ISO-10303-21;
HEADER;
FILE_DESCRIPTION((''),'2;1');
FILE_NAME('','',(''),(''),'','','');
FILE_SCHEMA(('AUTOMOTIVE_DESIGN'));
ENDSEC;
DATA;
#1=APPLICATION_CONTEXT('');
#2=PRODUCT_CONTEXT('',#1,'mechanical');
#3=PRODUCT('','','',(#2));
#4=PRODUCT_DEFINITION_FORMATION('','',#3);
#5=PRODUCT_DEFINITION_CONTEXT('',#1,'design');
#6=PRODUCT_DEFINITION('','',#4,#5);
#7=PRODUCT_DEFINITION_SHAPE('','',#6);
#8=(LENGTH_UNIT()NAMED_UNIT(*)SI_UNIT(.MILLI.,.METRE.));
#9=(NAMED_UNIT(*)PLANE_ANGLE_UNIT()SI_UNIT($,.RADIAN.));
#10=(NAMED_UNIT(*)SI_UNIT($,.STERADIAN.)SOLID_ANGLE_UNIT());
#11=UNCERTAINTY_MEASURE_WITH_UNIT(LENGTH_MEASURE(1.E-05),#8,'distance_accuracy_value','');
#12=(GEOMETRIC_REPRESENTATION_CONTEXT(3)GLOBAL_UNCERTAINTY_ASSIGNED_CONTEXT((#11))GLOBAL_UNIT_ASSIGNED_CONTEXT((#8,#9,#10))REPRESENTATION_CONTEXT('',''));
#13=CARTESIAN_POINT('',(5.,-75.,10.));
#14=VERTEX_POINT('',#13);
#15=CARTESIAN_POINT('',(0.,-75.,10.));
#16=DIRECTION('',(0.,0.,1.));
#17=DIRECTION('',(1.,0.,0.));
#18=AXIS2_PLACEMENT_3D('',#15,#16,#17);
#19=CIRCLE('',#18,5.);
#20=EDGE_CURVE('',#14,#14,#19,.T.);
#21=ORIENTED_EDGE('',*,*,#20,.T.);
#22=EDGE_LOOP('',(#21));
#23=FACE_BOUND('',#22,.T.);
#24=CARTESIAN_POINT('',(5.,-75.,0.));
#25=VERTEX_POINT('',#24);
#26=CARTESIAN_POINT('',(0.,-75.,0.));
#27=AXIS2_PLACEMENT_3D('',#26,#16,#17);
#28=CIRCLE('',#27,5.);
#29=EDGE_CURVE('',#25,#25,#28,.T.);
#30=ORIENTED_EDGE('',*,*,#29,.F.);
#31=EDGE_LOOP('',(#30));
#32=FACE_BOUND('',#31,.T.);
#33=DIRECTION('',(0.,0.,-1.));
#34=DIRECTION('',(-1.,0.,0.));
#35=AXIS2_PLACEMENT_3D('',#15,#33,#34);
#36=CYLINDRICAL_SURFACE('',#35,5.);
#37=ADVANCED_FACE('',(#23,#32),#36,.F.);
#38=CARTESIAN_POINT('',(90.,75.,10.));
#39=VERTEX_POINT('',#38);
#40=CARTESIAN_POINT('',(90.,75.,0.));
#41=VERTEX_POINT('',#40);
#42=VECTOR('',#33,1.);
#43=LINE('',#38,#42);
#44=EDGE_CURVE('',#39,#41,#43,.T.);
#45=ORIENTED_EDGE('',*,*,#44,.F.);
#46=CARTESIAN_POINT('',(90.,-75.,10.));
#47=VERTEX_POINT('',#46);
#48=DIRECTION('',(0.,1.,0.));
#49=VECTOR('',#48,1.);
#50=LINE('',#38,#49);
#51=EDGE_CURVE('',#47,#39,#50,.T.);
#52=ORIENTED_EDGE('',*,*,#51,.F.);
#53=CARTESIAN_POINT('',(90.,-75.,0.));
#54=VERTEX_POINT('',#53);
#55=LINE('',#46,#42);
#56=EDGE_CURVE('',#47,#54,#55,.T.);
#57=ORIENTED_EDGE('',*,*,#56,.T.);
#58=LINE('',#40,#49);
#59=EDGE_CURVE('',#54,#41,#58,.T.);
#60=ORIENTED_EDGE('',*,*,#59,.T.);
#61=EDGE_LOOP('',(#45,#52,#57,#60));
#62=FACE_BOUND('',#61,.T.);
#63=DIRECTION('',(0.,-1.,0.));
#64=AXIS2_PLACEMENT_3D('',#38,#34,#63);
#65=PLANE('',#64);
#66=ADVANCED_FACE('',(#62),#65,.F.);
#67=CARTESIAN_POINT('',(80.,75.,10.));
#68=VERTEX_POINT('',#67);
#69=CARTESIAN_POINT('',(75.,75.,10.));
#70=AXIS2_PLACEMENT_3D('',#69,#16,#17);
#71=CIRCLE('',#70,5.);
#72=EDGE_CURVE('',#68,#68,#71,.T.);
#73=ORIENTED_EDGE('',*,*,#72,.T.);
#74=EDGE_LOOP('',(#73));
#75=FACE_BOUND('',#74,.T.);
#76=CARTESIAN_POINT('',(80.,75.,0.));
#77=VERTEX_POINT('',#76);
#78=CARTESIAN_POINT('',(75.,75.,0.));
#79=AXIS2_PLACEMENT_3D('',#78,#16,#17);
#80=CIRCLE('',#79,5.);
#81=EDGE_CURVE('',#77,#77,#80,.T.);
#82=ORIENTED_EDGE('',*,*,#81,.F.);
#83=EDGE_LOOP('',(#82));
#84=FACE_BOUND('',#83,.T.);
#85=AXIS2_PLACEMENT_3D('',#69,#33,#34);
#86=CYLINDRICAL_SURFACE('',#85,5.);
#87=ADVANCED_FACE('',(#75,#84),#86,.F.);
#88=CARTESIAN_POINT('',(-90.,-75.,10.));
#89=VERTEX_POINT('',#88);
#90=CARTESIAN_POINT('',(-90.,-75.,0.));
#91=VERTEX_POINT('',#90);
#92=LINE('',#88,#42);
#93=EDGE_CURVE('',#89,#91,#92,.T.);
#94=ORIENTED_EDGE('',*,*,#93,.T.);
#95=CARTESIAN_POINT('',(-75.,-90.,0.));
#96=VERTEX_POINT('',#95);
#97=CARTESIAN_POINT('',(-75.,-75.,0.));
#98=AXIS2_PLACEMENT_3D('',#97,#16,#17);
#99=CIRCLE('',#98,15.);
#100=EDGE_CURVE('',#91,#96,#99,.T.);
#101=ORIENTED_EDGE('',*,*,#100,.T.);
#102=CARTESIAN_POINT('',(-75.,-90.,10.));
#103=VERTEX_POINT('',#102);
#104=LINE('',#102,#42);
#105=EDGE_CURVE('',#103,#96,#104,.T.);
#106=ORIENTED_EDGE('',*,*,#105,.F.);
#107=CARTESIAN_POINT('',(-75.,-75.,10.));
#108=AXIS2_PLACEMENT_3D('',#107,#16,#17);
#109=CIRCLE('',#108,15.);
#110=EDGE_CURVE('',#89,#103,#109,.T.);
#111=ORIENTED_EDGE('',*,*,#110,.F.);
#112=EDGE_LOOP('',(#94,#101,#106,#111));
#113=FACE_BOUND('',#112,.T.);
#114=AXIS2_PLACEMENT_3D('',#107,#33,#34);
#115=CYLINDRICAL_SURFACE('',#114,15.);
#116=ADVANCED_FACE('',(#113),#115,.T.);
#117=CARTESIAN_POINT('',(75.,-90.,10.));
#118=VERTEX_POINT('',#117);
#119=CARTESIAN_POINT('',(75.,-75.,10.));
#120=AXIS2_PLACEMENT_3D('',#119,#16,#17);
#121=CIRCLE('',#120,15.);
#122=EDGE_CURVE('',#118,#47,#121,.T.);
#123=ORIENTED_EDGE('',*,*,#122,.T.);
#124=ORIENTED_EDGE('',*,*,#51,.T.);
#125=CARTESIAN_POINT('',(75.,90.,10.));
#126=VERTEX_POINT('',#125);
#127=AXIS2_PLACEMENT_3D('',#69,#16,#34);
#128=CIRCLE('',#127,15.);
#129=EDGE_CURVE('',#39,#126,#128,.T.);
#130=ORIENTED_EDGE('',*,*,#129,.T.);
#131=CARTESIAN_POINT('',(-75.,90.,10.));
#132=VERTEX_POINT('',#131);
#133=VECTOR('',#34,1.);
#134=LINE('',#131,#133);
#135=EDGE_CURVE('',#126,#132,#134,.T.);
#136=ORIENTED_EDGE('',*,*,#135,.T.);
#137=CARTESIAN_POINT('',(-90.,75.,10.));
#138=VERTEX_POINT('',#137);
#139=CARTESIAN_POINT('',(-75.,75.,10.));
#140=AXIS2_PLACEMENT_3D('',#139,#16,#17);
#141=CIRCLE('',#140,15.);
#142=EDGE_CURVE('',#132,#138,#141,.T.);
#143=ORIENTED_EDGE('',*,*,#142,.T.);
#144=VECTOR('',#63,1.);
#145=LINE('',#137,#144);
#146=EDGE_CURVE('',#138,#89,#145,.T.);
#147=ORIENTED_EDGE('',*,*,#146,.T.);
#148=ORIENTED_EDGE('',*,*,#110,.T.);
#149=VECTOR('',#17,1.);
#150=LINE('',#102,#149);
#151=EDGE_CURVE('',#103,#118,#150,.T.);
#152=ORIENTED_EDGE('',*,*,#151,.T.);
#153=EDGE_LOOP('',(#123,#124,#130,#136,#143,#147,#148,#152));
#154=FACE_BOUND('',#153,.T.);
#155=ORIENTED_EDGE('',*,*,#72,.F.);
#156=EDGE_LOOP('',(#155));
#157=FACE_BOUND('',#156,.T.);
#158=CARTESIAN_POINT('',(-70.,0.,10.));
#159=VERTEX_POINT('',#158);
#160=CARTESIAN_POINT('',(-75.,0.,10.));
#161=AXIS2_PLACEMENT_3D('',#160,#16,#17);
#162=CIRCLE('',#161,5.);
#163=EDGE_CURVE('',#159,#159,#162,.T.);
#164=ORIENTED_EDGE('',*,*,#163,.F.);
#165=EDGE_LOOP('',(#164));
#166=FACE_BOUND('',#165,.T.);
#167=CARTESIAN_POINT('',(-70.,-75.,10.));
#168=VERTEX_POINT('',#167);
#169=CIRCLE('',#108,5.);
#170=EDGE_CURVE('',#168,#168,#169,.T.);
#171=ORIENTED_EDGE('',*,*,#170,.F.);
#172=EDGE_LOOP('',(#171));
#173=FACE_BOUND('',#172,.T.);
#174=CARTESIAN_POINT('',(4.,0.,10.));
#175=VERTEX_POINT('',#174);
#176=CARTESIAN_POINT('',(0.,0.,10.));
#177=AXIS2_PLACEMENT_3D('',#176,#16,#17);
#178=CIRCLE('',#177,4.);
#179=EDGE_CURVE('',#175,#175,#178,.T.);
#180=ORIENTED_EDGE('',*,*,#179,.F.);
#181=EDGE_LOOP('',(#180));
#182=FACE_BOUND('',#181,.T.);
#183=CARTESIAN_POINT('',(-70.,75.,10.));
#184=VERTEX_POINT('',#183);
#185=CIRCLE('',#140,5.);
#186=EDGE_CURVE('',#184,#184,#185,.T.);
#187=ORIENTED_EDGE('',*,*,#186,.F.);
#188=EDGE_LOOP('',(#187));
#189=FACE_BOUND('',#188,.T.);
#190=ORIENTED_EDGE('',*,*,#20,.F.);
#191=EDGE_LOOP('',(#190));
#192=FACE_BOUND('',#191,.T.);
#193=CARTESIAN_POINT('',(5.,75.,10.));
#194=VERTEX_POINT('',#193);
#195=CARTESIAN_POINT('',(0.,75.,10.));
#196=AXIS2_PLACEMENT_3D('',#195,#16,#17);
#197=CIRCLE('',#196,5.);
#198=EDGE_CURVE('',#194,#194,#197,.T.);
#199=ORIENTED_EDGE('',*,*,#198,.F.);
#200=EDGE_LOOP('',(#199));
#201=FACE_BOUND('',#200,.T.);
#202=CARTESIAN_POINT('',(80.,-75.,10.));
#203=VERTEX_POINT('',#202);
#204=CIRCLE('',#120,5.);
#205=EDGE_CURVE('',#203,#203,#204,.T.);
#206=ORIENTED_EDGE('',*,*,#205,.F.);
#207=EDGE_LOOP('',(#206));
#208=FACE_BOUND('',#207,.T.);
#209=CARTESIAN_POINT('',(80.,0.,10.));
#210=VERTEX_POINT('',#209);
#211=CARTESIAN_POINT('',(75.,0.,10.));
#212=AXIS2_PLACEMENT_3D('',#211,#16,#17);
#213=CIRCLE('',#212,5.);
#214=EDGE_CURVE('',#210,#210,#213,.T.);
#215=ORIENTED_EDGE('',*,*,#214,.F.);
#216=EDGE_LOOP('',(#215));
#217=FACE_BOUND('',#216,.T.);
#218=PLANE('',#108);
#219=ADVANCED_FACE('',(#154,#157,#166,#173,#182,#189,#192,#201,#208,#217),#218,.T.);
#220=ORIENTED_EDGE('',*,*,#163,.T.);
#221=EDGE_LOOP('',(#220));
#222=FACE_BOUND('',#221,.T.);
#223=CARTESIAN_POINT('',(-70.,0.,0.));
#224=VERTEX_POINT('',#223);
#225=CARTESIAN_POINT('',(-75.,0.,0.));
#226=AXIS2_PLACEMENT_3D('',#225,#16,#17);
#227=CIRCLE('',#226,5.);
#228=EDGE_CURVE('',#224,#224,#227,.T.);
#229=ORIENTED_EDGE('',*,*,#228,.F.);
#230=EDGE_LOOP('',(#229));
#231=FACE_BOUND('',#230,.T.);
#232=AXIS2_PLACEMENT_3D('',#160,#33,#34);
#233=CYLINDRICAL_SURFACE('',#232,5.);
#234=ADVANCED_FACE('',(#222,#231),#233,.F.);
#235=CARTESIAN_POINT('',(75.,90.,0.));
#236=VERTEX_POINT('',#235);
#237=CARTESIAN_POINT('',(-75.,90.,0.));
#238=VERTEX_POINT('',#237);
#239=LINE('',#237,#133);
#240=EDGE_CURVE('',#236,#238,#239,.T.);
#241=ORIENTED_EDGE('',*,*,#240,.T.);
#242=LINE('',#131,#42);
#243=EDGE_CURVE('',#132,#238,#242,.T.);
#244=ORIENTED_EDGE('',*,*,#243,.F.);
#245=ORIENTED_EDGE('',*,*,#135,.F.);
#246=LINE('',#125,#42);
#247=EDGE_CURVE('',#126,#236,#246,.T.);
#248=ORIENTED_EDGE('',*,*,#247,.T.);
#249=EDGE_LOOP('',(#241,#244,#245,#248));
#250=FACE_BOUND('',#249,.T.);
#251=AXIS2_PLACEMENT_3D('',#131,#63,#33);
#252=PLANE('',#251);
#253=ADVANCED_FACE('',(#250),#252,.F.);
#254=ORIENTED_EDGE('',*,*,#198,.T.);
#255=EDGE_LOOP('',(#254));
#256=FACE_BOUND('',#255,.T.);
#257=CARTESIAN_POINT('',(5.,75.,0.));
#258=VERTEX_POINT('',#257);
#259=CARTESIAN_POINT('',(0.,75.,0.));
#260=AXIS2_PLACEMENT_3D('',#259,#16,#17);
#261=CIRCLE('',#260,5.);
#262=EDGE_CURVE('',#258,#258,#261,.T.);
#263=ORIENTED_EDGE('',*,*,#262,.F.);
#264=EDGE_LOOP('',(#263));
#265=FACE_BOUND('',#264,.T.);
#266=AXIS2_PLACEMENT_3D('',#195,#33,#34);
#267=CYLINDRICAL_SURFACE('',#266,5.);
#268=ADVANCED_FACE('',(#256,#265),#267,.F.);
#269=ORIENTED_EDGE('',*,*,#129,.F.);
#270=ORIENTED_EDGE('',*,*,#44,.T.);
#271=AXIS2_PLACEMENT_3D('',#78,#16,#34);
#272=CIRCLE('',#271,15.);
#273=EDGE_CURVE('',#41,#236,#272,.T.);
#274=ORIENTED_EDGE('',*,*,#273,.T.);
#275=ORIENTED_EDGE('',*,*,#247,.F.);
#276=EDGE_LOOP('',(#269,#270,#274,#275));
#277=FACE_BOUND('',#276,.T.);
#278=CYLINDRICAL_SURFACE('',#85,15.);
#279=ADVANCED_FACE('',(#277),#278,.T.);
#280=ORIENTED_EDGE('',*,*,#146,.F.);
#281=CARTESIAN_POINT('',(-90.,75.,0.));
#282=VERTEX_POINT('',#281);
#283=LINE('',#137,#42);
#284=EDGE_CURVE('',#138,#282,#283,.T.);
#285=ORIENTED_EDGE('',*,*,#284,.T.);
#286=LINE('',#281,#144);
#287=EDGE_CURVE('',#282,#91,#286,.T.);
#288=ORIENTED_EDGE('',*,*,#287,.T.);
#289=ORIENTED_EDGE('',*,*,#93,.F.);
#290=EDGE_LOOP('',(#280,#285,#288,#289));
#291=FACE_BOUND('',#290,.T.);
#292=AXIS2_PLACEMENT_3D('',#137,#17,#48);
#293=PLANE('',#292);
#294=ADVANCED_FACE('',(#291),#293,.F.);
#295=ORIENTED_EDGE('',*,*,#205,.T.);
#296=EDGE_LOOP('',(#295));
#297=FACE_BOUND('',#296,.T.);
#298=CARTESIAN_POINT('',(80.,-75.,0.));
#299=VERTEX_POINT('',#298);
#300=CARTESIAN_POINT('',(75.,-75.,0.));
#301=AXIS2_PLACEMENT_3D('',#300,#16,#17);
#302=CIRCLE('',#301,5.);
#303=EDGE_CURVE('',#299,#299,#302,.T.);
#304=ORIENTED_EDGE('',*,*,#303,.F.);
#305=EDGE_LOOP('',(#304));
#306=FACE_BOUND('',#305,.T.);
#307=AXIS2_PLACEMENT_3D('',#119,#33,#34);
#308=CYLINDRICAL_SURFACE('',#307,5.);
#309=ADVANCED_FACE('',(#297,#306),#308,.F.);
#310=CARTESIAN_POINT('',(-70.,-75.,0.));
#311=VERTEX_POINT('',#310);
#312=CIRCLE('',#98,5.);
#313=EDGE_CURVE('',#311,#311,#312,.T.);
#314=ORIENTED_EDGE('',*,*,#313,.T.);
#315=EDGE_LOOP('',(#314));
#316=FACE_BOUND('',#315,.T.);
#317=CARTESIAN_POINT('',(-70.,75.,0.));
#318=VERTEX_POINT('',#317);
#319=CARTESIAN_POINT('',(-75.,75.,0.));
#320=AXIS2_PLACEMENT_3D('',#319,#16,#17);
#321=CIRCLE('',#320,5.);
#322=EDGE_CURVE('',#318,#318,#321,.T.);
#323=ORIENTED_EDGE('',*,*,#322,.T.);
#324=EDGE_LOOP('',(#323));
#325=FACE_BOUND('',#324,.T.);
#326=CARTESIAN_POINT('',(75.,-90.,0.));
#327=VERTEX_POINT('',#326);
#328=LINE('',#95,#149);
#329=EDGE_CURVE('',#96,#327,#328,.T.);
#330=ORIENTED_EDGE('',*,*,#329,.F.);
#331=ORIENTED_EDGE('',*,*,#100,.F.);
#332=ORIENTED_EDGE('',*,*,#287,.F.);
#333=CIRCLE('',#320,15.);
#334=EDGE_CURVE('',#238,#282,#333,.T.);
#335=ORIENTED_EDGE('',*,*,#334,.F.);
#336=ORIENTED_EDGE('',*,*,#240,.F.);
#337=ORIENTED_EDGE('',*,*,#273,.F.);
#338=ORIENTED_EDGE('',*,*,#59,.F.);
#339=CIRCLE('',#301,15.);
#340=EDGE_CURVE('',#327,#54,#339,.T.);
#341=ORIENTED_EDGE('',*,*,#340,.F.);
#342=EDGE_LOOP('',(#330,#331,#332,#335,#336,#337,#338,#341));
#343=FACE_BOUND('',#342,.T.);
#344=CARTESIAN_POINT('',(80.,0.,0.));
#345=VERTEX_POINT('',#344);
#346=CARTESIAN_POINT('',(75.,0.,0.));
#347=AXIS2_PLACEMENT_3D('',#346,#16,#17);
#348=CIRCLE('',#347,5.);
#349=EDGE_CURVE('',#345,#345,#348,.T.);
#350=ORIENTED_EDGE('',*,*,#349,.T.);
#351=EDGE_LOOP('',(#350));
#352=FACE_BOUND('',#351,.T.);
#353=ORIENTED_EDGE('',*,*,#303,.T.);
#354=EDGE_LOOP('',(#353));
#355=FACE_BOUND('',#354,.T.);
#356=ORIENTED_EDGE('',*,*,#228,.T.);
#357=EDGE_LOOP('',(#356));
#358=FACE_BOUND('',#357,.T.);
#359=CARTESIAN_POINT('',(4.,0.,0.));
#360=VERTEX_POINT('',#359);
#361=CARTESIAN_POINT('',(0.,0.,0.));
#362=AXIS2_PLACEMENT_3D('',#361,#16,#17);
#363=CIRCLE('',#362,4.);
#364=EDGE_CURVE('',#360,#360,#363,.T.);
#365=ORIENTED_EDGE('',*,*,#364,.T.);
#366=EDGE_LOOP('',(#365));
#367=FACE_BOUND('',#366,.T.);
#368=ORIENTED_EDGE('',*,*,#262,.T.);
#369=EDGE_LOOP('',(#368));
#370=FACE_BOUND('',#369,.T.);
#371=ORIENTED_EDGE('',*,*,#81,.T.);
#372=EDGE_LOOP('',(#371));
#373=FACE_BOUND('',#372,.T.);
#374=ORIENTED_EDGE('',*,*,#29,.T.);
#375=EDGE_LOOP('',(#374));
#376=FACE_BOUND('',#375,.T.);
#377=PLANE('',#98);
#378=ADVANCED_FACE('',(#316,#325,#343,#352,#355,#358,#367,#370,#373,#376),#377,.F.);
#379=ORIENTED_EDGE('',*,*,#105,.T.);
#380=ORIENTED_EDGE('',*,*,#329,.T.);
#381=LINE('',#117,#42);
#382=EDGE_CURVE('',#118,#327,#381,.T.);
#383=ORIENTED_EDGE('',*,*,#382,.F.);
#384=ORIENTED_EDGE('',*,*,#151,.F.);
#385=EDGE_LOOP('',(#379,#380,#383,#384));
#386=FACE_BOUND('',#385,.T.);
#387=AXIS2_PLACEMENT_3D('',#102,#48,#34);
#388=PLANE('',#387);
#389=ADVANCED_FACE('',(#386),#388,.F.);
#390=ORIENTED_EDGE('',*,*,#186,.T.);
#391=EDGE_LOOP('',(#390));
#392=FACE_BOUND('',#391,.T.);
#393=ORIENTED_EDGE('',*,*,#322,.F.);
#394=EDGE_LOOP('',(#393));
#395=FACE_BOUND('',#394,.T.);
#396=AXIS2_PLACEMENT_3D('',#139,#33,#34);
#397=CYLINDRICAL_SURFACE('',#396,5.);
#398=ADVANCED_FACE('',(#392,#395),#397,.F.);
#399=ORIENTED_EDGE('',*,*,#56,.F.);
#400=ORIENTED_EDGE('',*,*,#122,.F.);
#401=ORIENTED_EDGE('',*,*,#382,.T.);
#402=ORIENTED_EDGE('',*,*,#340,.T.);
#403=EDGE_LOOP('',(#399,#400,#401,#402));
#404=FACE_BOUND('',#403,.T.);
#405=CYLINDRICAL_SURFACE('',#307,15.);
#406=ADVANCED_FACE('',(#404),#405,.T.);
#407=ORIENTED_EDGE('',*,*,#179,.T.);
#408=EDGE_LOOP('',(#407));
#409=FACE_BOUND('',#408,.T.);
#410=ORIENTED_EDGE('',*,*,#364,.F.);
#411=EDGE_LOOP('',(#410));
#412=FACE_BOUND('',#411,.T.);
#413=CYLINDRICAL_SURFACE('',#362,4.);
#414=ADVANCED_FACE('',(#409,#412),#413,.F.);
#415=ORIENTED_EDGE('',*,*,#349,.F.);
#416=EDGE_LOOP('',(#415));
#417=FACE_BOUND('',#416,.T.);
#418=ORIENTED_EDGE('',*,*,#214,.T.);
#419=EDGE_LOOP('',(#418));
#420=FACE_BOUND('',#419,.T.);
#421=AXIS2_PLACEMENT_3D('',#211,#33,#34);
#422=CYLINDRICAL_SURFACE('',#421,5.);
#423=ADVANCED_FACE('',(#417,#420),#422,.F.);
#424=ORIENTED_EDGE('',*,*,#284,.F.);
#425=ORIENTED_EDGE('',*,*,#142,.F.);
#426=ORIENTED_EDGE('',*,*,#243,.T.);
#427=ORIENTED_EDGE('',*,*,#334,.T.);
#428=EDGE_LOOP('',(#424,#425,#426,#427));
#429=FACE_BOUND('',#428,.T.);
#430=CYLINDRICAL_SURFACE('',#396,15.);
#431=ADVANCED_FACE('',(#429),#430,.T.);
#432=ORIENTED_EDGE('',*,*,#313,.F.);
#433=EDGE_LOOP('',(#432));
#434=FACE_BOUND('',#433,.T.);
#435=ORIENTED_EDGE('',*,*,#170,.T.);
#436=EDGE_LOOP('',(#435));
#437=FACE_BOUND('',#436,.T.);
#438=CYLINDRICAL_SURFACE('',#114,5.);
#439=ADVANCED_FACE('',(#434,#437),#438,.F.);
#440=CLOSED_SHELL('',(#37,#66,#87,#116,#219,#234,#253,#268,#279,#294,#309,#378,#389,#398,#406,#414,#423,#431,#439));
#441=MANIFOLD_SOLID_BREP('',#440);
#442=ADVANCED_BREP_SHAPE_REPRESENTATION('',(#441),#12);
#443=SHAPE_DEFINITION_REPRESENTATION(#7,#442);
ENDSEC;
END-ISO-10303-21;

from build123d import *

# Parameters (mm, degrees)
SKETCH2_R           = 5
BOSS_EXTRUDE1_DEPTH = 10
SKETCH3_R           = 4
CUT_EXTRUDE1_DEPTH  = 10


with BuildPart() as part:
    # Sketch2 → Boss-Extrude1 (new body)
    with BuildSketch(Plane.XY):
        with BuildLine():
            Line((-75, 90), (75, 90))
            ThreePointArc((75, 90), (85.606601718, 85.606601718), (90, 75))
            Line((90, 75), (90, -75))
            ThreePointArc((90, -75), (85.606601718, -85.606601718), (75, -90))
            Line((75, -90), (-75, -90))
            ThreePointArc((-75, -90), (-85.606601718, -85.606601718), (-90, -75))
            Line((-90, -75), (-90, 75))
            ThreePointArc((-90, 75), (-85.606601718, 85.606601718), (-75, 90))
        make_face()
        with Locations((-75, 75)):
            Circle(SKETCH2_R, mode=Mode.SUBTRACT)
        with Locations((0, 75)):
            Circle(SKETCH2_R, mode=Mode.SUBTRACT)
        with Locations((75, 75)):
            Circle(SKETCH2_R, mode=Mode.SUBTRACT)
        with Locations((-75, 0)):
            Circle(SKETCH2_R, mode=Mode.SUBTRACT)
        with Locations((75, 0)):
            Circle(SKETCH2_R, mode=Mode.SUBTRACT)
        with Locations((-75, -75)):
            Circle(SKETCH2_R, mode=Mode.SUBTRACT)
        with Locations((0, -75)):
            Circle(SKETCH2_R, mode=Mode.SUBTRACT)
        with Locations((75, -75)):
            Circle(SKETCH2_R, mode=Mode.SUBTRACT)
    extrude(amount=BOSS_EXTRUDE1_DEPTH)

    # Sketch3 → Cut-Extrude1 (cut)
    with BuildSketch(Plane.XY.offset(10)):
        Circle(SKETCH3_R)
    extrude(amount=-CUT_EXTRUDE1_DEPTH, mode=Mode.SUBTRACT)


solid = part.part
